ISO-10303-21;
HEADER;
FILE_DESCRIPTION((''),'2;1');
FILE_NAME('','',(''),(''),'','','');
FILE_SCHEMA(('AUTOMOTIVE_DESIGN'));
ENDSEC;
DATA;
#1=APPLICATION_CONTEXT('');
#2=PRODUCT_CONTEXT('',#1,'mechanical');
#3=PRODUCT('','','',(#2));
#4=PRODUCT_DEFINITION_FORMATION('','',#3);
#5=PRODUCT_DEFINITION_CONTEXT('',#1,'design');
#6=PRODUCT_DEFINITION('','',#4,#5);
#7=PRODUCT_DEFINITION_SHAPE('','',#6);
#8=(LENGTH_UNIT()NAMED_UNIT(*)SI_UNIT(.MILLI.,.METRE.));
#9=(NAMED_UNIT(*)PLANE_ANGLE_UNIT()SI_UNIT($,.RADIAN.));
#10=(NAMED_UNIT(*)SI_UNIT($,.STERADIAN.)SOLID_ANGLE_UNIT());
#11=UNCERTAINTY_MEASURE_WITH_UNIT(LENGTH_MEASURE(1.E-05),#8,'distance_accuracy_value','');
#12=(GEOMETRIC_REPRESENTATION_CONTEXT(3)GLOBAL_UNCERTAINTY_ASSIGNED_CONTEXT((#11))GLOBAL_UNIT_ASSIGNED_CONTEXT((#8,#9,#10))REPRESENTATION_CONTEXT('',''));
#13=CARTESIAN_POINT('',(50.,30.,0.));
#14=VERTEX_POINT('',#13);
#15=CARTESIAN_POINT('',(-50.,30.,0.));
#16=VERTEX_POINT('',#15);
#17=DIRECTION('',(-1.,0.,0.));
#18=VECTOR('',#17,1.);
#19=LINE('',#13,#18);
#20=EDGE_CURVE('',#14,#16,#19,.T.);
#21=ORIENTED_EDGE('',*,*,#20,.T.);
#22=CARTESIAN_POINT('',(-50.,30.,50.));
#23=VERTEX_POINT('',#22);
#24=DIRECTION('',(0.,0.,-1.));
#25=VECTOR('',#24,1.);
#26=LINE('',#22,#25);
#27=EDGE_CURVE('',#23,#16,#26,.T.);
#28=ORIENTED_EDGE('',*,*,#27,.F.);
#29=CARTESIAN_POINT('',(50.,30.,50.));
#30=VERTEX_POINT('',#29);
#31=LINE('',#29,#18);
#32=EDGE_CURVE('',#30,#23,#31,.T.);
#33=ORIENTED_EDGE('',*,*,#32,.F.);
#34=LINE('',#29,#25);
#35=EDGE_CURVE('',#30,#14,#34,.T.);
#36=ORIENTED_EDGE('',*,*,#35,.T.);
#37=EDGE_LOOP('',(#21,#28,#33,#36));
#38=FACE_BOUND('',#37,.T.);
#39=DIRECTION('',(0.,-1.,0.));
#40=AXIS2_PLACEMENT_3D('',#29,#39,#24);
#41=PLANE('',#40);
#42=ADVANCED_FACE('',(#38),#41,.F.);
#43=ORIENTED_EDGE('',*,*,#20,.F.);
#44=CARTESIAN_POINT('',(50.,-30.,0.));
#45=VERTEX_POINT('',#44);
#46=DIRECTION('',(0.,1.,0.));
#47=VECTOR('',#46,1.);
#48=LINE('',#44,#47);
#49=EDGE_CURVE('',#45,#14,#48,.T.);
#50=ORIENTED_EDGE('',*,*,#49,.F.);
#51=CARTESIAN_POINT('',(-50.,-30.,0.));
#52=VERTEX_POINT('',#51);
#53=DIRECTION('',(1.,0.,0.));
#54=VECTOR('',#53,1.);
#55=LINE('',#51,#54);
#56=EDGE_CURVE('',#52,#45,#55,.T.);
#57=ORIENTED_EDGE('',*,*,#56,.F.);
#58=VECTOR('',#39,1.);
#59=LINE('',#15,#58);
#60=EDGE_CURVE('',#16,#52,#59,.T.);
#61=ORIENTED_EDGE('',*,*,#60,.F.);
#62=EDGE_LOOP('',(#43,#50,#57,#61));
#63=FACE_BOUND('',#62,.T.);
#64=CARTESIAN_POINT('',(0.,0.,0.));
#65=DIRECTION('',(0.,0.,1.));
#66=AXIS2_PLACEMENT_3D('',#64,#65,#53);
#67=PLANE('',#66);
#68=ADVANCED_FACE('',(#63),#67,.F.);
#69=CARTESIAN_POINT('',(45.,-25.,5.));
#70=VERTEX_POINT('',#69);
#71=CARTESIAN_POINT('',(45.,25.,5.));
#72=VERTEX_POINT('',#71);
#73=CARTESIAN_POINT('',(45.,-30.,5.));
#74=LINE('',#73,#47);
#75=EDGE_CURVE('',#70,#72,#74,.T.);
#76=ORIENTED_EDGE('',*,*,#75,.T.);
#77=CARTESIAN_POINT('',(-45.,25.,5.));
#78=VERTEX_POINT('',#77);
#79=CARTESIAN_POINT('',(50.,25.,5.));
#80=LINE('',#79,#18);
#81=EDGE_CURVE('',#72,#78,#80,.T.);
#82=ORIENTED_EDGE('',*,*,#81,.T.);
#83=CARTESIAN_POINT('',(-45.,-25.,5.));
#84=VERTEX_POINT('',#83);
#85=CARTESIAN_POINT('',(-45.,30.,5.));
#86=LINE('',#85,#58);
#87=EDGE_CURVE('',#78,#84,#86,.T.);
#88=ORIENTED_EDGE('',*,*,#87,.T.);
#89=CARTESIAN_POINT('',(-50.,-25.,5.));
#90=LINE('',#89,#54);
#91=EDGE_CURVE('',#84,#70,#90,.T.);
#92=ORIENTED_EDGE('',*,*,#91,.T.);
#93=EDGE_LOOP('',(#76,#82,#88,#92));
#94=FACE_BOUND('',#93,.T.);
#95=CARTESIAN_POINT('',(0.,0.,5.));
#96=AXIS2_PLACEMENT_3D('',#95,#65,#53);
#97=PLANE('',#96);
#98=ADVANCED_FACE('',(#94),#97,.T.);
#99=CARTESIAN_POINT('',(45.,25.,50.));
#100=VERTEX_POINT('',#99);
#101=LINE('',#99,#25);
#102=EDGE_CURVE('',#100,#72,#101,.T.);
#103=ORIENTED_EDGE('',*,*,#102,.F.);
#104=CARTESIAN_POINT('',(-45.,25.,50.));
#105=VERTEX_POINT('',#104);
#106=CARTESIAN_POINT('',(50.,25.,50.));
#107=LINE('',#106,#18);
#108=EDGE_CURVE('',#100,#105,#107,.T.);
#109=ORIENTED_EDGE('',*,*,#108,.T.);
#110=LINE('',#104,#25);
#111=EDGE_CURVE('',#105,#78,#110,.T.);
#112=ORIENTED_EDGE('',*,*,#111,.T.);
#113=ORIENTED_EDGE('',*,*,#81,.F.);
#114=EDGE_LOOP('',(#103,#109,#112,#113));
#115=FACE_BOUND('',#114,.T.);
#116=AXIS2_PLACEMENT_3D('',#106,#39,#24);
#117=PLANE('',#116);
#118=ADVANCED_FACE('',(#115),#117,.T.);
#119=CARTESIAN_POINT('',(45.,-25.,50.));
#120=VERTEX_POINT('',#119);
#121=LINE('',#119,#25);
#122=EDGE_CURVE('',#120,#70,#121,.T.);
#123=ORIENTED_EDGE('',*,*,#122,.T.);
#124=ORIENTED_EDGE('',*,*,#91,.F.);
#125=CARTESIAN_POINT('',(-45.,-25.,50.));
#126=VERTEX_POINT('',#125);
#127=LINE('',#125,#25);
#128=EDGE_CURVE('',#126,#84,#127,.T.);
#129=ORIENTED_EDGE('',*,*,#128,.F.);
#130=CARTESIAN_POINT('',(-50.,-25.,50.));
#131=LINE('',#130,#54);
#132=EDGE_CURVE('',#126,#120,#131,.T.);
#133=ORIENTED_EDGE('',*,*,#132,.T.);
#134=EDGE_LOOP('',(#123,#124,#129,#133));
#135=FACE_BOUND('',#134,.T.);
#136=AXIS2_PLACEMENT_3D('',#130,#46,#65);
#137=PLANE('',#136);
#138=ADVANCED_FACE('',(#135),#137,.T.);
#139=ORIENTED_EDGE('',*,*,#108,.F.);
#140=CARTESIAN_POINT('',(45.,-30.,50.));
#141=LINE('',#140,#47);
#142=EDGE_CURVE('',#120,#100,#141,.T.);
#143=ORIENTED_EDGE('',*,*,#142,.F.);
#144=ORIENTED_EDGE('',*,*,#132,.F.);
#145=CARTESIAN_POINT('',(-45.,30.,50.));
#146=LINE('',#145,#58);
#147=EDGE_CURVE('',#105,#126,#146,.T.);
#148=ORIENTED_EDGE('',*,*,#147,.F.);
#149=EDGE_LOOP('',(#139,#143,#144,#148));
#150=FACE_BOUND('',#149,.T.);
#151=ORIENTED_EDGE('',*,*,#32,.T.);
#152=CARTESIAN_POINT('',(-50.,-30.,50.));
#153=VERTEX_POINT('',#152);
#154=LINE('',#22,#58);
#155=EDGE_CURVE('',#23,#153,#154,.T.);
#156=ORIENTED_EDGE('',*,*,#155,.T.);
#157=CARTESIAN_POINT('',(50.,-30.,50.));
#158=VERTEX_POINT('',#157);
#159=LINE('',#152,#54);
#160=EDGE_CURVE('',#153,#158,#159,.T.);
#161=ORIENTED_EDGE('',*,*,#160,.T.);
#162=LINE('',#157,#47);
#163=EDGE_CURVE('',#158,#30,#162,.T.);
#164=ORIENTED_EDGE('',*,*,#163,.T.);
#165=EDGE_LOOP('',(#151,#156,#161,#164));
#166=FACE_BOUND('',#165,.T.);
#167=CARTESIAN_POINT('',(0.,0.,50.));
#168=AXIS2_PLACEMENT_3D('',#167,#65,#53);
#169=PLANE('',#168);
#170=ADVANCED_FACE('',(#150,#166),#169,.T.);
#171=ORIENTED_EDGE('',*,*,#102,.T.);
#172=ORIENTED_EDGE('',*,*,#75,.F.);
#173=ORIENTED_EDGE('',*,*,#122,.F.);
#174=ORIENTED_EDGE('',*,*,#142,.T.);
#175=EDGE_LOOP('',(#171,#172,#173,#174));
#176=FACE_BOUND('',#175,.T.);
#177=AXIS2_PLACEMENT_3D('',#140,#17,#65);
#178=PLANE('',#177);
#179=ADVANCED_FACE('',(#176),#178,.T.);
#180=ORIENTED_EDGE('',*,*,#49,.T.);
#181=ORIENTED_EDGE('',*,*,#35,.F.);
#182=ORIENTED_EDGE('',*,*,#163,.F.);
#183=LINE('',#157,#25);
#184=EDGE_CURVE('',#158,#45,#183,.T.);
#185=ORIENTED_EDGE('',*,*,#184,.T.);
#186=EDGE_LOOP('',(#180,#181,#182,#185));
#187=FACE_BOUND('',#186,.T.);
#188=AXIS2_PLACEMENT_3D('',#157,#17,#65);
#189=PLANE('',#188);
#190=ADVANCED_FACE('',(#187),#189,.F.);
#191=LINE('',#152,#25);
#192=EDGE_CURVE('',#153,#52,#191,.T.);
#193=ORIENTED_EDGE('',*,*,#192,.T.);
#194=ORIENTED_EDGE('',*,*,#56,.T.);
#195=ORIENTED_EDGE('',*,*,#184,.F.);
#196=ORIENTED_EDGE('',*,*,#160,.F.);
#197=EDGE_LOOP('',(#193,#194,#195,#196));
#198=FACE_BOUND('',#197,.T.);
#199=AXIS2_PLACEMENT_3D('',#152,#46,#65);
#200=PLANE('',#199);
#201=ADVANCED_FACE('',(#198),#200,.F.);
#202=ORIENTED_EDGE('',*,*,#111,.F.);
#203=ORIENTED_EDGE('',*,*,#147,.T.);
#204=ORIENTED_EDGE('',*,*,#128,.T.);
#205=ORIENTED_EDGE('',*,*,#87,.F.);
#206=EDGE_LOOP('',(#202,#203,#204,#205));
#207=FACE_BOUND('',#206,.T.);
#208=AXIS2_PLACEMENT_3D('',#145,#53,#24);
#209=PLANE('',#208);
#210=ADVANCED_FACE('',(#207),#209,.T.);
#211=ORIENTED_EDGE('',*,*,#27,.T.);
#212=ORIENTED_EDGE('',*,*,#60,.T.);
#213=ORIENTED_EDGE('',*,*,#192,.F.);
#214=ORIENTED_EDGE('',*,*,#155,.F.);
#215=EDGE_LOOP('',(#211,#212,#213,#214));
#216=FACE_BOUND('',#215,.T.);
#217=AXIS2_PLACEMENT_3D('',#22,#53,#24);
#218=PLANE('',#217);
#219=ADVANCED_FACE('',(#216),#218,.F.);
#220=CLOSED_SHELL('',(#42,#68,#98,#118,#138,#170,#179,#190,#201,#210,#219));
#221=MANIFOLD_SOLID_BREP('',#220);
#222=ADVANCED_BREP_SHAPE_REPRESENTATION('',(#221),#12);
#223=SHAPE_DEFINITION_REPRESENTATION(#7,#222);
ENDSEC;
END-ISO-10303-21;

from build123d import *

# Parameters (mm, degrees)
SKETCH_1_W      = 100
SKETCH_1_H      = 60
EXTRUDE_1_DEPTH = 50
SHELL_1_T       = -5


with BuildPart() as part:
    # 草图1 → 凸台-拉伸1 (new body)
    with BuildSketch(Plane.XY):
        Rectangle(SKETCH_1_W, SKETCH_1_H)
    extrude(amount=EXTRUDE_1_DEPTH)

    # 抽壳1
    shell_1_openings = [part.faces().sort_by_distance(p)[0] for p in [
        (0, 0, 50),
    ]]
    offset(amount=SHELL_1_T, openings=shell_1_openings, kind=Kind.INTERSECTION)


solid = part.part
